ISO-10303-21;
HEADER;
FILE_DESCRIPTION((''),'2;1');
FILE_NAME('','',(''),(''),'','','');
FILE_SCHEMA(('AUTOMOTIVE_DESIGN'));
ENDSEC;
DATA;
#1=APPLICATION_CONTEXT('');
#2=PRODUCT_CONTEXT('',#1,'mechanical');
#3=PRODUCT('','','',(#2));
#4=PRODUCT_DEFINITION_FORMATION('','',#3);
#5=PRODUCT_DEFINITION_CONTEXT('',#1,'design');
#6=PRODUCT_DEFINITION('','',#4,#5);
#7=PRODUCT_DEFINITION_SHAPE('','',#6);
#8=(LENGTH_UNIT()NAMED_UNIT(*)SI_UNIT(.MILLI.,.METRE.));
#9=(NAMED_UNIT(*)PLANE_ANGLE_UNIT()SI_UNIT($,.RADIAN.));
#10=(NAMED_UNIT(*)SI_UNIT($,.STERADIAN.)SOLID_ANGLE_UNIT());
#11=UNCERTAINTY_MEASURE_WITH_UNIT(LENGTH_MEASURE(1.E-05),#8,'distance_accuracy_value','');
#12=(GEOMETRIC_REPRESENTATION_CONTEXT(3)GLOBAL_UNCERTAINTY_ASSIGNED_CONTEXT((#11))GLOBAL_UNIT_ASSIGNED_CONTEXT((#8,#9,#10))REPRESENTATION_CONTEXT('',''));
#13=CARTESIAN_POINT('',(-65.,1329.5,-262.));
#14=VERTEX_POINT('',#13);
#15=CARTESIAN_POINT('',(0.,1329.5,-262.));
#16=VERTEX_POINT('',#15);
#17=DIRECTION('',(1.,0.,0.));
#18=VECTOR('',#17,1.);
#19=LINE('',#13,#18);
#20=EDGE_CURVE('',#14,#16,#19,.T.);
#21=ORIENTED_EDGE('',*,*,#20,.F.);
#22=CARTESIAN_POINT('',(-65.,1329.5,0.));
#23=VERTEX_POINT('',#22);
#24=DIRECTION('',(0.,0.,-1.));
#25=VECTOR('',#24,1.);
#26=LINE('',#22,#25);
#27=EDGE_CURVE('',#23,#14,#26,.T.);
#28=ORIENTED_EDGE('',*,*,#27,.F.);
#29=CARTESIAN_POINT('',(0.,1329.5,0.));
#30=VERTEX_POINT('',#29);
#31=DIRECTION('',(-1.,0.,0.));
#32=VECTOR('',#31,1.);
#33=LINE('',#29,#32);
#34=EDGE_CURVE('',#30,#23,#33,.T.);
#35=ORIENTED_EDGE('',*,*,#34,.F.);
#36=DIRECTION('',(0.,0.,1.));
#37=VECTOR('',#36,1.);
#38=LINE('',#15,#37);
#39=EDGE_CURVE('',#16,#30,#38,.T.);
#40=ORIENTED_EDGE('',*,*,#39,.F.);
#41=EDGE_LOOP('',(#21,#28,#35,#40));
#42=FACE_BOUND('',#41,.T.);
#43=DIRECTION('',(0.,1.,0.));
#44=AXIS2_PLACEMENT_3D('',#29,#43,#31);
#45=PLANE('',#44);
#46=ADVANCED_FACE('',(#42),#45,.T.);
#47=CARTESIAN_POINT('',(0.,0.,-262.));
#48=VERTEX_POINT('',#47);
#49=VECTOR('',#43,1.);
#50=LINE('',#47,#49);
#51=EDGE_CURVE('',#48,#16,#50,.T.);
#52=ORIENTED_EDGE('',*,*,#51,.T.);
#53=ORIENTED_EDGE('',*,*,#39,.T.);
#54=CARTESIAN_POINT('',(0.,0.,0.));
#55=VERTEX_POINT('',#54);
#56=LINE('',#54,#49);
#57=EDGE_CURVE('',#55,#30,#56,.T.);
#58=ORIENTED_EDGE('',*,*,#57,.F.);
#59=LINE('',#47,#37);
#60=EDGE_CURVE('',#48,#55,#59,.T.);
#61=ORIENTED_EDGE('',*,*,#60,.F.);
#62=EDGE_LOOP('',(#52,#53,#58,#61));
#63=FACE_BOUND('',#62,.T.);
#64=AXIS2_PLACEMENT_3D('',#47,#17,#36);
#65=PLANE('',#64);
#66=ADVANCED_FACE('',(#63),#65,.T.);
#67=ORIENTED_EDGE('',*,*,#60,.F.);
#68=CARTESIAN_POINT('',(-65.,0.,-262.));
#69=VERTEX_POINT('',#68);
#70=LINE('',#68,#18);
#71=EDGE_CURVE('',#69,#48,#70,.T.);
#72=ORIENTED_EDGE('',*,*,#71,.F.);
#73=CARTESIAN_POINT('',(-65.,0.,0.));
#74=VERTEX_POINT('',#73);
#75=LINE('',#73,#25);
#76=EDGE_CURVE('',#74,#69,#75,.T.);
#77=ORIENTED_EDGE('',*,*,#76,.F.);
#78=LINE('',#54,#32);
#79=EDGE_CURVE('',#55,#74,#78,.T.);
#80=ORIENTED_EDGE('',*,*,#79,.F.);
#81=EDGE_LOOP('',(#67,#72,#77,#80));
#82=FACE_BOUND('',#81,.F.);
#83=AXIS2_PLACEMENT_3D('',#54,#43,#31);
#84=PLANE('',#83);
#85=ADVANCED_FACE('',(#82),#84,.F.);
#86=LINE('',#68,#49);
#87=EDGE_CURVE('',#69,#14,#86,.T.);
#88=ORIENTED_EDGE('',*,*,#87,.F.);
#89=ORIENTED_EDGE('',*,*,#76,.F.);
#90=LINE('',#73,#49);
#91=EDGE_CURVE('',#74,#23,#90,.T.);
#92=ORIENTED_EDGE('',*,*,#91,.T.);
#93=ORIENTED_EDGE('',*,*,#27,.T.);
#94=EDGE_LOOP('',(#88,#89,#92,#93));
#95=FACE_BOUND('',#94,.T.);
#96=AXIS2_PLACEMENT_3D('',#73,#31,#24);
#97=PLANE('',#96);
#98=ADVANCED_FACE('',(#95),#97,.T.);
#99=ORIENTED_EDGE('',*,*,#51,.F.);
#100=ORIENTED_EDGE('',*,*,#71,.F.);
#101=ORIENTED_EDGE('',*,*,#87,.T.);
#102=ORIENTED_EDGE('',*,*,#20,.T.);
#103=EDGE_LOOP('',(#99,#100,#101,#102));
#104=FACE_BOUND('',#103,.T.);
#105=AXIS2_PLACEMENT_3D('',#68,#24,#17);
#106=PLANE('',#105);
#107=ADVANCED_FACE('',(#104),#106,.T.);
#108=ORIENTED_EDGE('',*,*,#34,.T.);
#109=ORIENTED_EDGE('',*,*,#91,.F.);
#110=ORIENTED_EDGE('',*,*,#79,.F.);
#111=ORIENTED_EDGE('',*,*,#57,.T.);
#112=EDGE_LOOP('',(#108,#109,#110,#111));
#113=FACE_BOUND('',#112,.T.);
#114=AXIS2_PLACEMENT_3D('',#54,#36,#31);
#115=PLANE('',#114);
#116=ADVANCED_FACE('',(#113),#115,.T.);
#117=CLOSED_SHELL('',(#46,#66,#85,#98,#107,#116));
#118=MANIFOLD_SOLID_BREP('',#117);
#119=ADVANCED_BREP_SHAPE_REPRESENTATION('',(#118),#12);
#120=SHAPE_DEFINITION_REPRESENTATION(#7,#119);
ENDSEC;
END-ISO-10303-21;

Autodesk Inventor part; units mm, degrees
ref_plane "YZ Plane" through (0, 0, 0) normal (1, 0, 0) x (0, 1, 0)
ref_plane "XZ Plane" through (0, 0, 0) normal (0, 1, 0) x (-1, 0, 0)
ref_plane "XY Plane" through (0, 0, 0) normal (0, 0, 1) x (1, 0, 0)
sketch "Sketch1" plane through (0, 0, 0) normal (0, 1, 0) x (-1, 0, 0)
  line L0 (0, 0) -> (65, 0)
  line L1 (65, 0) -> (65, -262)
  line L2 (65, -262) -> (0, -262)
  line L3 (0, -262) -> (0, 0)
  dimension "d0" = 65
  dimension "d1" = 262
extrude "Extrusion1" add sketch "Sketch1" along normal blind 1329.5
properties part number "boxsectiontestcross"
